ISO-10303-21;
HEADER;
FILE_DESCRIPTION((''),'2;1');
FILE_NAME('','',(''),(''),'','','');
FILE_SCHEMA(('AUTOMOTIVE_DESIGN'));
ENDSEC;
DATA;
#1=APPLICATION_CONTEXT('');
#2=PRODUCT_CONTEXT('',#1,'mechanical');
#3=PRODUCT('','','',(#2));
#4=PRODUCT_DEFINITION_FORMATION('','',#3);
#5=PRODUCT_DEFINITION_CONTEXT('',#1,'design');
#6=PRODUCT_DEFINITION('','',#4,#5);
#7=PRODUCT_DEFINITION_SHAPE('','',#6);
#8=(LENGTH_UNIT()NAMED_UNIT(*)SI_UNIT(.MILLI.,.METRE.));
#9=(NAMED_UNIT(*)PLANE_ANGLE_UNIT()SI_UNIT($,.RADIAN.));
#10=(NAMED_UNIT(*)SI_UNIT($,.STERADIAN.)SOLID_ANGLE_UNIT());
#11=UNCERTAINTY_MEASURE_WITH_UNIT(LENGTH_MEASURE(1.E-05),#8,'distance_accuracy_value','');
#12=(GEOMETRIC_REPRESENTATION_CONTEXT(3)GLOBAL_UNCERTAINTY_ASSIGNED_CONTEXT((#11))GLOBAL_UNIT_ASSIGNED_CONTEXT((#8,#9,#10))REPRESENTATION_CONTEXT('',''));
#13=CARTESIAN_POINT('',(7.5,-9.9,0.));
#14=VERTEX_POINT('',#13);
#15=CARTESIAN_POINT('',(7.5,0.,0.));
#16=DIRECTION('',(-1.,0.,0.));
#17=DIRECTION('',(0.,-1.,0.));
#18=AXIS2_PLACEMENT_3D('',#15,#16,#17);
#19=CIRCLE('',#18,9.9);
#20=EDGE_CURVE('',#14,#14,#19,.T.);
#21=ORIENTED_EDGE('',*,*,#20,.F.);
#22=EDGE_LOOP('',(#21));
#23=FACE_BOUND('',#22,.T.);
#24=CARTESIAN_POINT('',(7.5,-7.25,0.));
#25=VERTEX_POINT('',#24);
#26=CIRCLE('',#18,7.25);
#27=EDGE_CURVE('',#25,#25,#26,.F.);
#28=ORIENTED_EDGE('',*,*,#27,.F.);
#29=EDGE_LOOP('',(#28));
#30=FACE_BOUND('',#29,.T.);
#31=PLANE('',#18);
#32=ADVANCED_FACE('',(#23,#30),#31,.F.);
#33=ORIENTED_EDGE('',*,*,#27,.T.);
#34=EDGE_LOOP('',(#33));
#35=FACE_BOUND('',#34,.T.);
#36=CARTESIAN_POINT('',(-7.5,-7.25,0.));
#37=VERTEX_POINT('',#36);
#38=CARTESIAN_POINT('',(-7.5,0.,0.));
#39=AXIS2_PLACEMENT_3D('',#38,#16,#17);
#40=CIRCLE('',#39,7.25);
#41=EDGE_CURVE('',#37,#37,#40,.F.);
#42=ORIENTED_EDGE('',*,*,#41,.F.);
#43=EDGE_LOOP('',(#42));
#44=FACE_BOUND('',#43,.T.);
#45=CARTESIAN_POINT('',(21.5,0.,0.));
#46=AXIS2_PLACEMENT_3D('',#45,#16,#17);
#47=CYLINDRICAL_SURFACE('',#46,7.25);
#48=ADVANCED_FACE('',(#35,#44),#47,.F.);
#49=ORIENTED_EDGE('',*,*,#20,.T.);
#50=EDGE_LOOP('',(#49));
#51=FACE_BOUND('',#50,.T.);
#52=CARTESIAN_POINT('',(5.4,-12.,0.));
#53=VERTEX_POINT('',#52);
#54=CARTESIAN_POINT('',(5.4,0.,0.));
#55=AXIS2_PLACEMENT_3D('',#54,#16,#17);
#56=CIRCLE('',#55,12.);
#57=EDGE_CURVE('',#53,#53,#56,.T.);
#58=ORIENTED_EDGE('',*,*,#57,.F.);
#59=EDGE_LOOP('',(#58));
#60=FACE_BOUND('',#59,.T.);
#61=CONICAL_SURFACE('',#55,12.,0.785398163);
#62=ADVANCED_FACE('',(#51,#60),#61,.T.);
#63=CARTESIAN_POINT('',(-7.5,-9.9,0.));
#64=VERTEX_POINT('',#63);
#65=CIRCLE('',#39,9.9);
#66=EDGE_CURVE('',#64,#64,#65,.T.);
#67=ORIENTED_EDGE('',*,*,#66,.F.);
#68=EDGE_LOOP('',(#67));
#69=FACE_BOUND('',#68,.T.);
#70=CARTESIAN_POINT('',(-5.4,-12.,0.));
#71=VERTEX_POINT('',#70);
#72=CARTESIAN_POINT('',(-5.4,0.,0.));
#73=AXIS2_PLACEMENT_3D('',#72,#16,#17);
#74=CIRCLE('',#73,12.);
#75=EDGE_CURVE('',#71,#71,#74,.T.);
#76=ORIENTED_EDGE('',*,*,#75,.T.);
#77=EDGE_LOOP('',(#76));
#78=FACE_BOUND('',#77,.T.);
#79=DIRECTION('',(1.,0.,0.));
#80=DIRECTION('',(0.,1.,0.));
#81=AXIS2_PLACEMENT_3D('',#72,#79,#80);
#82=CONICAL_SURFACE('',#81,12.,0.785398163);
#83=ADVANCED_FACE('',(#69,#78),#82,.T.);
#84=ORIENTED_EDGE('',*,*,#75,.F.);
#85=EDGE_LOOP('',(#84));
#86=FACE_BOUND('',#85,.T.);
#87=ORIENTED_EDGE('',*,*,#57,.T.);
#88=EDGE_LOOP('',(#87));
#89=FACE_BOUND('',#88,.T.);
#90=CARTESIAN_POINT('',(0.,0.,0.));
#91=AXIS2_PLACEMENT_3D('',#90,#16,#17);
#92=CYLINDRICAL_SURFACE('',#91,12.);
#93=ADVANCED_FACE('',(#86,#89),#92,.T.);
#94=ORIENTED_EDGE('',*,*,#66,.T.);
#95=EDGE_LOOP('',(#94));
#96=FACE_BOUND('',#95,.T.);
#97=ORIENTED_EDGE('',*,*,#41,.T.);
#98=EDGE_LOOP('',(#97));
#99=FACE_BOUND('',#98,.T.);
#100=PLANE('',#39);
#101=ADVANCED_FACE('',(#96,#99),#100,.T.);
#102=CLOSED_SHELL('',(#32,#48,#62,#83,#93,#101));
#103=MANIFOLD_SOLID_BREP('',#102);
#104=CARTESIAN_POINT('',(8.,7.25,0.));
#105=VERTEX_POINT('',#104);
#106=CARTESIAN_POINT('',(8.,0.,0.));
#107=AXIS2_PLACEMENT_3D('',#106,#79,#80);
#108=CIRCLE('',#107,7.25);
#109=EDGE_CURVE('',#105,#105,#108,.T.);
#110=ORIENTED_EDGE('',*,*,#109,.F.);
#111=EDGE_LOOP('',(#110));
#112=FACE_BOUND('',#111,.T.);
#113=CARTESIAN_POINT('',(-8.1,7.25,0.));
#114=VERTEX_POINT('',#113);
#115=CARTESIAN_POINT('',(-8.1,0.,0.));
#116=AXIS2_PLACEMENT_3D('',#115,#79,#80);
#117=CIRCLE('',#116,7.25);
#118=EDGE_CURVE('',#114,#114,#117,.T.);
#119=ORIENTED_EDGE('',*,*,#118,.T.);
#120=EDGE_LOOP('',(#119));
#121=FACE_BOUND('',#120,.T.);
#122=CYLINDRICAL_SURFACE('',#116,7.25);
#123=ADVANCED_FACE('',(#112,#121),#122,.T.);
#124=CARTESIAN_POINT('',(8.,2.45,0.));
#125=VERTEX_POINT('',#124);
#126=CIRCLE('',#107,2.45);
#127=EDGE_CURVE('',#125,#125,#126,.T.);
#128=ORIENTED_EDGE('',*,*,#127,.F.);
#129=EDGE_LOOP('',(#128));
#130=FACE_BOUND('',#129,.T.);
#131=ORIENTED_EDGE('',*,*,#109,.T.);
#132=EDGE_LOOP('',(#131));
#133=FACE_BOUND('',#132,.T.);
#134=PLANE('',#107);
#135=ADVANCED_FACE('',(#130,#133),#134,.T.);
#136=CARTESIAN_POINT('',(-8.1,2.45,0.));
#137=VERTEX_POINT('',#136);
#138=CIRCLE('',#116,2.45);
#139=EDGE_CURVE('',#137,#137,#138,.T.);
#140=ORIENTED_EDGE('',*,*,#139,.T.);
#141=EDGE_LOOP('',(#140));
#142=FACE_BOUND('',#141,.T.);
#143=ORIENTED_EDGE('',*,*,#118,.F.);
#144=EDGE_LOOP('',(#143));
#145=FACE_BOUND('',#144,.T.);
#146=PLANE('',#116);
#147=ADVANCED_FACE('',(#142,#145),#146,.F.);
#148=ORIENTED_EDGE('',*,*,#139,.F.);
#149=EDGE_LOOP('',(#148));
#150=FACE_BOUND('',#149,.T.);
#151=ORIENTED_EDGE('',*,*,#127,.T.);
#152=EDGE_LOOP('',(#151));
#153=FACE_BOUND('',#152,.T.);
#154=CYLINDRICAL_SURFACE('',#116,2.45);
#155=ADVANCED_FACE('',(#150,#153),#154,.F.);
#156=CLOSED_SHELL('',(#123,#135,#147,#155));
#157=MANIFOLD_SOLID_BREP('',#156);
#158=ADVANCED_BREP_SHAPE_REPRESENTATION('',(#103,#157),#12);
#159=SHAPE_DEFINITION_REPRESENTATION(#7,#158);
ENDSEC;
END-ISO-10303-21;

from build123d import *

# Parameters (mm, degrees)
CROQUIS2_R                   = 7.25
CROQUIS2_R_2                 = 2.45
SALIENTE_EXTRUIR1_DEPTH      = 0.5
SALIENTE_EXTRUIR1_DEPTH_BACK = 15.6
CROQUIS3_R                   = 7.25
CORTAR_EXTRUIR1_DEPTH        = 14
CORTAR_EXTRUIR1_DEPTH_BACK   = 17.5


with BuildPart() as part:
    # Croquis1 → Revolución1 (revolve)
    with BuildSketch(Plane.XY):
        Polygon((5.4, 12), (-5.4, 12), (-7.5, 9.9), (-7.5, 2.45), (-3, 2.45), (3, 2.45), (7.5, 2.45), (7.5, 9.9), align=None)
    revolve(axis=Axis((0, 0, 0), (1, 0, 0)))

    # Croquis3 → Cortar-Extruir1 (cut, two sides)
    with BuildSketch(Plane(origin=(7.5, 0, 0), x_dir=(0, 0, -1), z_dir=(1, 0, 0))) as cortar_extruir1_sk:
        Circle(CROQUIS3_R)
    extrude(amount=CORTAR_EXTRUIR1_DEPTH, mode=Mode.SUBTRACT)
    extrude(cortar_extruir1_sk.sketch, amount=-CORTAR_EXTRUIR1_DEPTH_BACK, mode=Mode.SUBTRACT)


with BuildPart() as body_2:
    # Croquis2 → Saliente-Extruir1 (new body, two sides)
    with BuildSketch(Plane(origin=(7.5, 0, 0), x_dir=(0, 0, -1), z_dir=(1, 0, 0))) as saliente_extruir1_sk:
        Circle(CROQUIS2_R)
        Circle(CROQUIS2_R_2, mode=Mode.SUBTRACT)
    extrude(amount=SALIENTE_EXTRUIR1_DEPTH)
    extrude(saliente_extruir1_sk.sketch, amount=-SALIENTE_EXTRUIR1_DEPTH_BACK)


solid = Compound([part.part, body_2.part])
